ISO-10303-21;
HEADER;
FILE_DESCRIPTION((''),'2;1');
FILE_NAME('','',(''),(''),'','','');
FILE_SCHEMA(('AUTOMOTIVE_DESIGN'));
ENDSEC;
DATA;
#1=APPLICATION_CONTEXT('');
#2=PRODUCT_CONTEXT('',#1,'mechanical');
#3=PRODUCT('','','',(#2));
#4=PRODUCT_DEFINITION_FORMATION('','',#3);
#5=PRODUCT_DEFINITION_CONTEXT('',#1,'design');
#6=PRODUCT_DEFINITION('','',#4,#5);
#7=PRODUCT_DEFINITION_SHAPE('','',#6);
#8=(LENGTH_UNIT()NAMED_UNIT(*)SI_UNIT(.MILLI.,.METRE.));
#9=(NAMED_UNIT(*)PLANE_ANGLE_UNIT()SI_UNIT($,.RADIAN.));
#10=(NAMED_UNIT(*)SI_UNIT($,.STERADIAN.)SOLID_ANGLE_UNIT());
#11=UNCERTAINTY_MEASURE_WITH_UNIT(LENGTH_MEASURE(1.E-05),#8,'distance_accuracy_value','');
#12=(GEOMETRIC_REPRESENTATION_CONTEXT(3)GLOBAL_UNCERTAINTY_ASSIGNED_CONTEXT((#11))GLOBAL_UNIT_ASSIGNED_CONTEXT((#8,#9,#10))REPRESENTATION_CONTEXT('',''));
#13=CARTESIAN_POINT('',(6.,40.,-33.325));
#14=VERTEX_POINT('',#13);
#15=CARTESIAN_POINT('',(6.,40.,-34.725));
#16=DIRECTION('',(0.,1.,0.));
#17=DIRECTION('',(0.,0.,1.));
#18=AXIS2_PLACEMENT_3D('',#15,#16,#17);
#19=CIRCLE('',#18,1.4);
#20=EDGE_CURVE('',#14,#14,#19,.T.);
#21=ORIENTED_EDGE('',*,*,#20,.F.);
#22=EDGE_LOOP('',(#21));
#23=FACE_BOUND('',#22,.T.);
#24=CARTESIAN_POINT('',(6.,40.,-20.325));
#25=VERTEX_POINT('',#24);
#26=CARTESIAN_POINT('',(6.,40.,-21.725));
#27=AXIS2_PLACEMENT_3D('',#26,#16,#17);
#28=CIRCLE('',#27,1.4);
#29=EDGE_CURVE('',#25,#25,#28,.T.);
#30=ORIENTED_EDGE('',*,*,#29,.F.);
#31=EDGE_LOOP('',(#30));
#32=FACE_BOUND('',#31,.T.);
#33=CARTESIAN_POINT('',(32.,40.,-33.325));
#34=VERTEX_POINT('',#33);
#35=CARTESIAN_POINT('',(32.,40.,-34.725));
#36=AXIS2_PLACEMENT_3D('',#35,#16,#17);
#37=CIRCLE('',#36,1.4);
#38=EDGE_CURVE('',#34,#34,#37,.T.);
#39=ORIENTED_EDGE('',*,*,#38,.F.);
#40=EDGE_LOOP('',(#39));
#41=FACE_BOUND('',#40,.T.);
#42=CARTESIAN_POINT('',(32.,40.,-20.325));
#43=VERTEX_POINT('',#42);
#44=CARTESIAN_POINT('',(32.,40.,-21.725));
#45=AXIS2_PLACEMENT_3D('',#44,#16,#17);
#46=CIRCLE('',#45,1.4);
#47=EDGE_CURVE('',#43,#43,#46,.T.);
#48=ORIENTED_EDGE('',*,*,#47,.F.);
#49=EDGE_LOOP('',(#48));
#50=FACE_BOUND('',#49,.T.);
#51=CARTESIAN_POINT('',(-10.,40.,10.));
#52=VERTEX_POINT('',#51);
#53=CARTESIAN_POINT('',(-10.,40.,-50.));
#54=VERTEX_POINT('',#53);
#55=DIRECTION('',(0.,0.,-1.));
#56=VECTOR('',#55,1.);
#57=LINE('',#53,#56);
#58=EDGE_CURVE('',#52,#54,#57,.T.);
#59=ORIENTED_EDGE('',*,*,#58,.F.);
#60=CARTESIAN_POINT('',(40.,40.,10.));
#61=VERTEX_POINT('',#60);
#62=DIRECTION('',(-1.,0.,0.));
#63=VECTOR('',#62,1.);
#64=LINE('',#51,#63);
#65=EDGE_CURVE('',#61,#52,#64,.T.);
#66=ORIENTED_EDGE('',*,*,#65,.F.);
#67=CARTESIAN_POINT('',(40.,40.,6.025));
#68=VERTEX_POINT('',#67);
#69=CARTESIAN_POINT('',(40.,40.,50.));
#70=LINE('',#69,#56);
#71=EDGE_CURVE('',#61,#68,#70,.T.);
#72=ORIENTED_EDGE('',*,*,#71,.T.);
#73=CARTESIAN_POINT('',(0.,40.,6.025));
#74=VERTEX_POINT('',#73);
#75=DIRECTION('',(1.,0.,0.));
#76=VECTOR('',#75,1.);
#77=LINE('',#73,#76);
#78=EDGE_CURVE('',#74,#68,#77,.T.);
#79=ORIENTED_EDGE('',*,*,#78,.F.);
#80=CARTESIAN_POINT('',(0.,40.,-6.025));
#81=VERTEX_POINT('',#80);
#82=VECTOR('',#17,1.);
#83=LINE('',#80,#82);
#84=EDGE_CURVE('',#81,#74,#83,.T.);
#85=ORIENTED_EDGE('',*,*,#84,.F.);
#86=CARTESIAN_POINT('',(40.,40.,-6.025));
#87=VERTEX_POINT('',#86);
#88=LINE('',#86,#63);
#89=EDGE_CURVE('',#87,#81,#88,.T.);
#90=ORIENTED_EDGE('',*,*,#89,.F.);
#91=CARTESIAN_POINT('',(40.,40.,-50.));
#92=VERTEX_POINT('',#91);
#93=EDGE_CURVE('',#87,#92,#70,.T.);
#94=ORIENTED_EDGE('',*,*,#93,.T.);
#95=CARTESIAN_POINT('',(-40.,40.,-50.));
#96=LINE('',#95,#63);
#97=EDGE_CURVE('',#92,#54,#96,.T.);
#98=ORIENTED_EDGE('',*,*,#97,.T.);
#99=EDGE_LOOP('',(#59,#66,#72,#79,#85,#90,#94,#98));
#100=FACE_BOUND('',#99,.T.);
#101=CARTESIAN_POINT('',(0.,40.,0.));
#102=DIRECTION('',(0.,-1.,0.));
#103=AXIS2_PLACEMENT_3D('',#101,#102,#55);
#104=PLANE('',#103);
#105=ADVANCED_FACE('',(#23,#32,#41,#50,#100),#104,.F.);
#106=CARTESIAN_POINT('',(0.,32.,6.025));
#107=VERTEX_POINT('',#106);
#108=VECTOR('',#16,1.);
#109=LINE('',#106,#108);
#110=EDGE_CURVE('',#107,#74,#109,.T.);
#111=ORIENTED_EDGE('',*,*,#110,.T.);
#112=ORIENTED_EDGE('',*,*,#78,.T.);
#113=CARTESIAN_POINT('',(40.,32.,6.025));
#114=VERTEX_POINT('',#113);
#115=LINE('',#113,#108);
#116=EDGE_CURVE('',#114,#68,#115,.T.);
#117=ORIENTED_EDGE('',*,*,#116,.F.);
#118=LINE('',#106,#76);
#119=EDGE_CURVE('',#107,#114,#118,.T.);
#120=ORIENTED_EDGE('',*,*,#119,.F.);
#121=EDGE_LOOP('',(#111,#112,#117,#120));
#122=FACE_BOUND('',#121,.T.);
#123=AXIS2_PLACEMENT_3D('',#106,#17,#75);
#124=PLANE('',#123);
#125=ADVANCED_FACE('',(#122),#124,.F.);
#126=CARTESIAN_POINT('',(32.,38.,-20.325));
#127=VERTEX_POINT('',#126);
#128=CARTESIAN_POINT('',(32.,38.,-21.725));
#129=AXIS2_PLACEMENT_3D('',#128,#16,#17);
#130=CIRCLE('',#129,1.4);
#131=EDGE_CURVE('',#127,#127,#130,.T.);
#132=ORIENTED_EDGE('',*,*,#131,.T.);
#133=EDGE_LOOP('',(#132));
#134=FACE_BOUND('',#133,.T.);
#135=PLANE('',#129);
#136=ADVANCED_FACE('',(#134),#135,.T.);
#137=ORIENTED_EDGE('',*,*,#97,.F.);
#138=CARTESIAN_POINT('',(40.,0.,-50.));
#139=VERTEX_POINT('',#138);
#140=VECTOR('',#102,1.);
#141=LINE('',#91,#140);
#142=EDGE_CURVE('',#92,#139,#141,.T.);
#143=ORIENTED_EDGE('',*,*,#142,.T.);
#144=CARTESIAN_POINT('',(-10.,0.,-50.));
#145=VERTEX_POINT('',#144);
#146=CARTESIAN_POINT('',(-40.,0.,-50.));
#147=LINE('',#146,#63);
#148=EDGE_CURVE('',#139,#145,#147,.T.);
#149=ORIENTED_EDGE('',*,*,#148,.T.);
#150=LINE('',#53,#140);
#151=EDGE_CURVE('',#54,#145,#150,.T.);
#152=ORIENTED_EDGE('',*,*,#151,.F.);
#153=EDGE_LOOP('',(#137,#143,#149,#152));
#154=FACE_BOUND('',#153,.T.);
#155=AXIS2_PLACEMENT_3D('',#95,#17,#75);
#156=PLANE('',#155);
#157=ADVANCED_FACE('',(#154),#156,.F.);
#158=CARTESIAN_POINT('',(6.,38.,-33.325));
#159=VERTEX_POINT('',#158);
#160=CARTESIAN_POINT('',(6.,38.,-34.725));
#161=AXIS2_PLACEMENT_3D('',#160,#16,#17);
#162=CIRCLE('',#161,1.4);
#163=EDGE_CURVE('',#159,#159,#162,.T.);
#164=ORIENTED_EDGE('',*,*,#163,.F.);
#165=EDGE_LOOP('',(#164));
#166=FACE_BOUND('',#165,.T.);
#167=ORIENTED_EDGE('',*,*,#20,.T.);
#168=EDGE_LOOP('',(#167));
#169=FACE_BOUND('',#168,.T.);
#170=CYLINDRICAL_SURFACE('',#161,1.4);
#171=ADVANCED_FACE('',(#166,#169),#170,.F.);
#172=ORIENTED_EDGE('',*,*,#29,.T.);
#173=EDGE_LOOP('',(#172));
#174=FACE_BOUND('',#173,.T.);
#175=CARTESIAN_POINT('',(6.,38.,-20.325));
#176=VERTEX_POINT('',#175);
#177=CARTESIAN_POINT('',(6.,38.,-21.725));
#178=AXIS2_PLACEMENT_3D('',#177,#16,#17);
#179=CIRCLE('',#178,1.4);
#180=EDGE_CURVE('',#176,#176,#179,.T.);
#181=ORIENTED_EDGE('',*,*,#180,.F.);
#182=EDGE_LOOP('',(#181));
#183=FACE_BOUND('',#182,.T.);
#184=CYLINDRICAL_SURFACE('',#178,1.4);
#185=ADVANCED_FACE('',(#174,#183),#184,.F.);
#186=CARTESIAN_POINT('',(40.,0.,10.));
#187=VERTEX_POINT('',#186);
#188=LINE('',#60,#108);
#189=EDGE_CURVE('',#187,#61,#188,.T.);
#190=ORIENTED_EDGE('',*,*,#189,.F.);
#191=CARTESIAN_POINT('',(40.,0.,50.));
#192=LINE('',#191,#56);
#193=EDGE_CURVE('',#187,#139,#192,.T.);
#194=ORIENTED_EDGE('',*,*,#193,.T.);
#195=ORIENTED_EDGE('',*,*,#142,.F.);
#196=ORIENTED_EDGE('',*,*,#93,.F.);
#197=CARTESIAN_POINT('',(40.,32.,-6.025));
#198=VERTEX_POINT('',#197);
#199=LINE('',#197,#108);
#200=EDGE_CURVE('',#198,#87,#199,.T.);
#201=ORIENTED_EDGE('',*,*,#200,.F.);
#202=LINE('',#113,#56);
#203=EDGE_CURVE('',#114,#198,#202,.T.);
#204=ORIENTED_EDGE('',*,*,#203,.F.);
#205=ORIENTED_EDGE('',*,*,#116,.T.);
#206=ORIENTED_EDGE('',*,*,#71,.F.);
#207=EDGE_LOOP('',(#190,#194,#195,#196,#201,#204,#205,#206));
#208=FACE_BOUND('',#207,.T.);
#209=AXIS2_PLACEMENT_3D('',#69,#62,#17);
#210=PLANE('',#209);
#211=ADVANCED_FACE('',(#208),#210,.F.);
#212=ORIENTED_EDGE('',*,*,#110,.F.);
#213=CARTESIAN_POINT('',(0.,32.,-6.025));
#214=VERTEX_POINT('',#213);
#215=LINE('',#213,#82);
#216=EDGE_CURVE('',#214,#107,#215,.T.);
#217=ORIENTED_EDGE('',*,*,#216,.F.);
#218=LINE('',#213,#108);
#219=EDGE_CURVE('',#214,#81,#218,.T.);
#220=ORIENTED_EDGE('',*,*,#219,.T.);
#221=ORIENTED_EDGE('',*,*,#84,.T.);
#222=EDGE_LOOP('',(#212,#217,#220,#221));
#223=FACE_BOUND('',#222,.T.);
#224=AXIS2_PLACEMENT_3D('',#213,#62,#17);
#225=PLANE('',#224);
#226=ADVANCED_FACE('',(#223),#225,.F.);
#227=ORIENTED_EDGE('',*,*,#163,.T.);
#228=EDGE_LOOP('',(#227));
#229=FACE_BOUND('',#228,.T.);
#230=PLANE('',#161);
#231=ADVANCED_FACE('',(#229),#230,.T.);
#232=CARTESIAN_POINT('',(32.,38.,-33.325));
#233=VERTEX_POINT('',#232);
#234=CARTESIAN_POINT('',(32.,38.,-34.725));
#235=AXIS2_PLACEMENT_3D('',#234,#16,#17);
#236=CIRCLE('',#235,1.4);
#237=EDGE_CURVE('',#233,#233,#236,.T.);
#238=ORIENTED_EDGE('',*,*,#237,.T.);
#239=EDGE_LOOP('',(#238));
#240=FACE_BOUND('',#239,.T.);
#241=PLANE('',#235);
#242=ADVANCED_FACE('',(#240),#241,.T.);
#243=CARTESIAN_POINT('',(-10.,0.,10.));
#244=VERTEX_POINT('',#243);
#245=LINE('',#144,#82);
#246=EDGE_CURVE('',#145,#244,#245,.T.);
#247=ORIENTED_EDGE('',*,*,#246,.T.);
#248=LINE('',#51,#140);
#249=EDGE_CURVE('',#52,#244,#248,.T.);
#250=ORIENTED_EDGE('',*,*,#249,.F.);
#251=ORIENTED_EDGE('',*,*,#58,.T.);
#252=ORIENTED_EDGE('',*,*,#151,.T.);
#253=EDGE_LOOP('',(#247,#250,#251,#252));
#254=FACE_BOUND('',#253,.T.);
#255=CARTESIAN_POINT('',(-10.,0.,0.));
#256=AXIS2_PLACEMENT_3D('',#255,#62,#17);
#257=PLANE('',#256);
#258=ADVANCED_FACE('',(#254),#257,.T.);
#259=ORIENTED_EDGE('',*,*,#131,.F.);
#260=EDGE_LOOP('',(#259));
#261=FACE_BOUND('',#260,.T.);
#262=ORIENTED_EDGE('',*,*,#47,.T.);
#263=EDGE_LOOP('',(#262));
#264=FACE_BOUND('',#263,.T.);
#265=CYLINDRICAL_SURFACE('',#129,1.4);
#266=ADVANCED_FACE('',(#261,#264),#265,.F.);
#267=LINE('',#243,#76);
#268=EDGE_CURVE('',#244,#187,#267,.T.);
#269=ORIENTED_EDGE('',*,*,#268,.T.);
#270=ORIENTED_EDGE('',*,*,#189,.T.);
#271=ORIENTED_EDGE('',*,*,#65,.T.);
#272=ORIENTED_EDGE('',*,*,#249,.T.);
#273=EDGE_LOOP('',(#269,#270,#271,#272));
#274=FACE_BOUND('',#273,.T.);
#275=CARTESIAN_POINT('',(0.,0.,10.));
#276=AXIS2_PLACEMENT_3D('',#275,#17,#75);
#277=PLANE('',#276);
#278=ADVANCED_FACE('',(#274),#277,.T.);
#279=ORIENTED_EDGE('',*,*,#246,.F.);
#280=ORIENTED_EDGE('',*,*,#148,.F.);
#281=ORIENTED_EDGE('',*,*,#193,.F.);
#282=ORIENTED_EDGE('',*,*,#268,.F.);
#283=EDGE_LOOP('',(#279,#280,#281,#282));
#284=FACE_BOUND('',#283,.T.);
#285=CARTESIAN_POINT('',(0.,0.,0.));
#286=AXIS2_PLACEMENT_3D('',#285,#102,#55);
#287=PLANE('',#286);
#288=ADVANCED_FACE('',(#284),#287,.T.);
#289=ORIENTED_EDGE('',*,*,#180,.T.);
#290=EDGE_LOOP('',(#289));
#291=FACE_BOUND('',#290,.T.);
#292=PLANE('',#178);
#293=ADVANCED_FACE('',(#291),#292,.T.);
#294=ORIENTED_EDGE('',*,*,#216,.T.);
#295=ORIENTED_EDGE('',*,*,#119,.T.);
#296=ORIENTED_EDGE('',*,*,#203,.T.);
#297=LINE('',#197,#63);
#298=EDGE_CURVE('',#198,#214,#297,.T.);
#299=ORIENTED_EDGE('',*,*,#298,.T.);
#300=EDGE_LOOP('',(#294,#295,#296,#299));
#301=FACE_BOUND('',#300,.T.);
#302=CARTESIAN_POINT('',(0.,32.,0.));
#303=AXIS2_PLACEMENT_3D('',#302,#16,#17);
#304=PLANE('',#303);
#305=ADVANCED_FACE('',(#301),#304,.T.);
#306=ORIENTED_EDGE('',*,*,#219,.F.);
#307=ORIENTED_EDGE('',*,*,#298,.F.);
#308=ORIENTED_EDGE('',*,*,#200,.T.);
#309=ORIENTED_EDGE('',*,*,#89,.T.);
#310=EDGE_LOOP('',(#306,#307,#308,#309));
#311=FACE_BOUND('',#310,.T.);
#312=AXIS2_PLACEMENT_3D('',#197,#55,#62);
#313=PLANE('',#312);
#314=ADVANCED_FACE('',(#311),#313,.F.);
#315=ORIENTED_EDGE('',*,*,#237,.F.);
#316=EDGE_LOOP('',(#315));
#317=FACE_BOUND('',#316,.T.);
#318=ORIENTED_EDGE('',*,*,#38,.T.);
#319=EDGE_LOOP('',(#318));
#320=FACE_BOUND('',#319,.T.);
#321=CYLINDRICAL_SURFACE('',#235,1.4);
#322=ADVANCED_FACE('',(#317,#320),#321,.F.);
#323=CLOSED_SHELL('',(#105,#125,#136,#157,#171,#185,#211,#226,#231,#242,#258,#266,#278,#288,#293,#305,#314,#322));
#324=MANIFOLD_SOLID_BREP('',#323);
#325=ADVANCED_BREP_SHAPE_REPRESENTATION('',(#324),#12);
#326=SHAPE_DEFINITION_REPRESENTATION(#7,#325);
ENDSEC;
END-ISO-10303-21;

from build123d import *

# Parameters (mm, degrees)
SKETCH2_W           = 80
SKETCH2_H           = 100
BOSS_EXTRUDE1_DEPTH = 40
SKETCH3_W           = 40
SKETCH3_H           = 12.05
CUT_EXTRUDE1_DEPTH  = 8
SKETCH5_R           = 1.4
CUT_EXTRUDE2_DEPTH  = 2
SKETCH8_W           = 100
SKETCH8_H           = 40
CUT_EXTRUDE5_DEPTH  = 30
SKETCH9_W           = 50
SKETCH9_H           = 40
CUT_EXTRUDE6_DEPTH  = 40


with BuildPart() as part:
    # Sketch2 → Boss-Extrude1 (new body)
    with BuildSketch(Plane(origin=(0, 0, 0), x_dir=(1, 0, 0), z_dir=(0, 1, 0))):
        Rectangle(SKETCH2_W, SKETCH2_H)
    extrude(amount=BOSS_EXTRUDE1_DEPTH)

    # Sketch3 → Cut-Extrude1 (cut)
    with BuildSketch(Plane(origin=(0, 40, 0), x_dir=(1, 0, 0), z_dir=(0, 1, 0))):
        with Locations((20, 0)):
            Rectangle(SKETCH3_W, SKETCH3_H)
    extrude(amount=-CUT_EXTRUDE1_DEPTH, mode=Mode.SUBTRACT)

    # Sketch5 → Cut-Extrude2 (cut)
    with BuildSketch(Plane(origin=(0, 40, 0), x_dir=(1, 0, 0), z_dir=(0, 1, 0))):
        with Locations(Location((6, 21.725, 0), (0, 0, 270))):
            Circle(SKETCH5_R)
        with Locations(Location((32, 21.725, 0), (0, 0, 270))):
            Circle(SKETCH5_R)
        with Locations(Location((32, 34.725, 0), (0, 0, 270))):
            Circle(SKETCH5_R)
        with Locations(Location((6, 34.725, 0), (0, 0, 270))):
            Circle(SKETCH5_R)
    extrude(amount=-CUT_EXTRUDE2_DEPTH, mode=Mode.SUBTRACT)

    # Sketch8 → Cut-Extrude5 (cut)
    with BuildSketch(Plane.ZY.offset(40)):
        with Locations((0, 20)):
            Rectangle(SKETCH8_W, SKETCH8_H)
    extrude(amount=-CUT_EXTRUDE5_DEPTH, mode=Mode.SUBTRACT)

    # Sketch9 → Cut-Extrude6 (cut)
    with BuildSketch(Plane.XY.offset(50)):
        with Locations((15, 20)):
            Rectangle(SKETCH9_W, SKETCH9_H)
    extrude(amount=-CUT_EXTRUDE6_DEPTH, mode=Mode.SUBTRACT)


solid = part.part
